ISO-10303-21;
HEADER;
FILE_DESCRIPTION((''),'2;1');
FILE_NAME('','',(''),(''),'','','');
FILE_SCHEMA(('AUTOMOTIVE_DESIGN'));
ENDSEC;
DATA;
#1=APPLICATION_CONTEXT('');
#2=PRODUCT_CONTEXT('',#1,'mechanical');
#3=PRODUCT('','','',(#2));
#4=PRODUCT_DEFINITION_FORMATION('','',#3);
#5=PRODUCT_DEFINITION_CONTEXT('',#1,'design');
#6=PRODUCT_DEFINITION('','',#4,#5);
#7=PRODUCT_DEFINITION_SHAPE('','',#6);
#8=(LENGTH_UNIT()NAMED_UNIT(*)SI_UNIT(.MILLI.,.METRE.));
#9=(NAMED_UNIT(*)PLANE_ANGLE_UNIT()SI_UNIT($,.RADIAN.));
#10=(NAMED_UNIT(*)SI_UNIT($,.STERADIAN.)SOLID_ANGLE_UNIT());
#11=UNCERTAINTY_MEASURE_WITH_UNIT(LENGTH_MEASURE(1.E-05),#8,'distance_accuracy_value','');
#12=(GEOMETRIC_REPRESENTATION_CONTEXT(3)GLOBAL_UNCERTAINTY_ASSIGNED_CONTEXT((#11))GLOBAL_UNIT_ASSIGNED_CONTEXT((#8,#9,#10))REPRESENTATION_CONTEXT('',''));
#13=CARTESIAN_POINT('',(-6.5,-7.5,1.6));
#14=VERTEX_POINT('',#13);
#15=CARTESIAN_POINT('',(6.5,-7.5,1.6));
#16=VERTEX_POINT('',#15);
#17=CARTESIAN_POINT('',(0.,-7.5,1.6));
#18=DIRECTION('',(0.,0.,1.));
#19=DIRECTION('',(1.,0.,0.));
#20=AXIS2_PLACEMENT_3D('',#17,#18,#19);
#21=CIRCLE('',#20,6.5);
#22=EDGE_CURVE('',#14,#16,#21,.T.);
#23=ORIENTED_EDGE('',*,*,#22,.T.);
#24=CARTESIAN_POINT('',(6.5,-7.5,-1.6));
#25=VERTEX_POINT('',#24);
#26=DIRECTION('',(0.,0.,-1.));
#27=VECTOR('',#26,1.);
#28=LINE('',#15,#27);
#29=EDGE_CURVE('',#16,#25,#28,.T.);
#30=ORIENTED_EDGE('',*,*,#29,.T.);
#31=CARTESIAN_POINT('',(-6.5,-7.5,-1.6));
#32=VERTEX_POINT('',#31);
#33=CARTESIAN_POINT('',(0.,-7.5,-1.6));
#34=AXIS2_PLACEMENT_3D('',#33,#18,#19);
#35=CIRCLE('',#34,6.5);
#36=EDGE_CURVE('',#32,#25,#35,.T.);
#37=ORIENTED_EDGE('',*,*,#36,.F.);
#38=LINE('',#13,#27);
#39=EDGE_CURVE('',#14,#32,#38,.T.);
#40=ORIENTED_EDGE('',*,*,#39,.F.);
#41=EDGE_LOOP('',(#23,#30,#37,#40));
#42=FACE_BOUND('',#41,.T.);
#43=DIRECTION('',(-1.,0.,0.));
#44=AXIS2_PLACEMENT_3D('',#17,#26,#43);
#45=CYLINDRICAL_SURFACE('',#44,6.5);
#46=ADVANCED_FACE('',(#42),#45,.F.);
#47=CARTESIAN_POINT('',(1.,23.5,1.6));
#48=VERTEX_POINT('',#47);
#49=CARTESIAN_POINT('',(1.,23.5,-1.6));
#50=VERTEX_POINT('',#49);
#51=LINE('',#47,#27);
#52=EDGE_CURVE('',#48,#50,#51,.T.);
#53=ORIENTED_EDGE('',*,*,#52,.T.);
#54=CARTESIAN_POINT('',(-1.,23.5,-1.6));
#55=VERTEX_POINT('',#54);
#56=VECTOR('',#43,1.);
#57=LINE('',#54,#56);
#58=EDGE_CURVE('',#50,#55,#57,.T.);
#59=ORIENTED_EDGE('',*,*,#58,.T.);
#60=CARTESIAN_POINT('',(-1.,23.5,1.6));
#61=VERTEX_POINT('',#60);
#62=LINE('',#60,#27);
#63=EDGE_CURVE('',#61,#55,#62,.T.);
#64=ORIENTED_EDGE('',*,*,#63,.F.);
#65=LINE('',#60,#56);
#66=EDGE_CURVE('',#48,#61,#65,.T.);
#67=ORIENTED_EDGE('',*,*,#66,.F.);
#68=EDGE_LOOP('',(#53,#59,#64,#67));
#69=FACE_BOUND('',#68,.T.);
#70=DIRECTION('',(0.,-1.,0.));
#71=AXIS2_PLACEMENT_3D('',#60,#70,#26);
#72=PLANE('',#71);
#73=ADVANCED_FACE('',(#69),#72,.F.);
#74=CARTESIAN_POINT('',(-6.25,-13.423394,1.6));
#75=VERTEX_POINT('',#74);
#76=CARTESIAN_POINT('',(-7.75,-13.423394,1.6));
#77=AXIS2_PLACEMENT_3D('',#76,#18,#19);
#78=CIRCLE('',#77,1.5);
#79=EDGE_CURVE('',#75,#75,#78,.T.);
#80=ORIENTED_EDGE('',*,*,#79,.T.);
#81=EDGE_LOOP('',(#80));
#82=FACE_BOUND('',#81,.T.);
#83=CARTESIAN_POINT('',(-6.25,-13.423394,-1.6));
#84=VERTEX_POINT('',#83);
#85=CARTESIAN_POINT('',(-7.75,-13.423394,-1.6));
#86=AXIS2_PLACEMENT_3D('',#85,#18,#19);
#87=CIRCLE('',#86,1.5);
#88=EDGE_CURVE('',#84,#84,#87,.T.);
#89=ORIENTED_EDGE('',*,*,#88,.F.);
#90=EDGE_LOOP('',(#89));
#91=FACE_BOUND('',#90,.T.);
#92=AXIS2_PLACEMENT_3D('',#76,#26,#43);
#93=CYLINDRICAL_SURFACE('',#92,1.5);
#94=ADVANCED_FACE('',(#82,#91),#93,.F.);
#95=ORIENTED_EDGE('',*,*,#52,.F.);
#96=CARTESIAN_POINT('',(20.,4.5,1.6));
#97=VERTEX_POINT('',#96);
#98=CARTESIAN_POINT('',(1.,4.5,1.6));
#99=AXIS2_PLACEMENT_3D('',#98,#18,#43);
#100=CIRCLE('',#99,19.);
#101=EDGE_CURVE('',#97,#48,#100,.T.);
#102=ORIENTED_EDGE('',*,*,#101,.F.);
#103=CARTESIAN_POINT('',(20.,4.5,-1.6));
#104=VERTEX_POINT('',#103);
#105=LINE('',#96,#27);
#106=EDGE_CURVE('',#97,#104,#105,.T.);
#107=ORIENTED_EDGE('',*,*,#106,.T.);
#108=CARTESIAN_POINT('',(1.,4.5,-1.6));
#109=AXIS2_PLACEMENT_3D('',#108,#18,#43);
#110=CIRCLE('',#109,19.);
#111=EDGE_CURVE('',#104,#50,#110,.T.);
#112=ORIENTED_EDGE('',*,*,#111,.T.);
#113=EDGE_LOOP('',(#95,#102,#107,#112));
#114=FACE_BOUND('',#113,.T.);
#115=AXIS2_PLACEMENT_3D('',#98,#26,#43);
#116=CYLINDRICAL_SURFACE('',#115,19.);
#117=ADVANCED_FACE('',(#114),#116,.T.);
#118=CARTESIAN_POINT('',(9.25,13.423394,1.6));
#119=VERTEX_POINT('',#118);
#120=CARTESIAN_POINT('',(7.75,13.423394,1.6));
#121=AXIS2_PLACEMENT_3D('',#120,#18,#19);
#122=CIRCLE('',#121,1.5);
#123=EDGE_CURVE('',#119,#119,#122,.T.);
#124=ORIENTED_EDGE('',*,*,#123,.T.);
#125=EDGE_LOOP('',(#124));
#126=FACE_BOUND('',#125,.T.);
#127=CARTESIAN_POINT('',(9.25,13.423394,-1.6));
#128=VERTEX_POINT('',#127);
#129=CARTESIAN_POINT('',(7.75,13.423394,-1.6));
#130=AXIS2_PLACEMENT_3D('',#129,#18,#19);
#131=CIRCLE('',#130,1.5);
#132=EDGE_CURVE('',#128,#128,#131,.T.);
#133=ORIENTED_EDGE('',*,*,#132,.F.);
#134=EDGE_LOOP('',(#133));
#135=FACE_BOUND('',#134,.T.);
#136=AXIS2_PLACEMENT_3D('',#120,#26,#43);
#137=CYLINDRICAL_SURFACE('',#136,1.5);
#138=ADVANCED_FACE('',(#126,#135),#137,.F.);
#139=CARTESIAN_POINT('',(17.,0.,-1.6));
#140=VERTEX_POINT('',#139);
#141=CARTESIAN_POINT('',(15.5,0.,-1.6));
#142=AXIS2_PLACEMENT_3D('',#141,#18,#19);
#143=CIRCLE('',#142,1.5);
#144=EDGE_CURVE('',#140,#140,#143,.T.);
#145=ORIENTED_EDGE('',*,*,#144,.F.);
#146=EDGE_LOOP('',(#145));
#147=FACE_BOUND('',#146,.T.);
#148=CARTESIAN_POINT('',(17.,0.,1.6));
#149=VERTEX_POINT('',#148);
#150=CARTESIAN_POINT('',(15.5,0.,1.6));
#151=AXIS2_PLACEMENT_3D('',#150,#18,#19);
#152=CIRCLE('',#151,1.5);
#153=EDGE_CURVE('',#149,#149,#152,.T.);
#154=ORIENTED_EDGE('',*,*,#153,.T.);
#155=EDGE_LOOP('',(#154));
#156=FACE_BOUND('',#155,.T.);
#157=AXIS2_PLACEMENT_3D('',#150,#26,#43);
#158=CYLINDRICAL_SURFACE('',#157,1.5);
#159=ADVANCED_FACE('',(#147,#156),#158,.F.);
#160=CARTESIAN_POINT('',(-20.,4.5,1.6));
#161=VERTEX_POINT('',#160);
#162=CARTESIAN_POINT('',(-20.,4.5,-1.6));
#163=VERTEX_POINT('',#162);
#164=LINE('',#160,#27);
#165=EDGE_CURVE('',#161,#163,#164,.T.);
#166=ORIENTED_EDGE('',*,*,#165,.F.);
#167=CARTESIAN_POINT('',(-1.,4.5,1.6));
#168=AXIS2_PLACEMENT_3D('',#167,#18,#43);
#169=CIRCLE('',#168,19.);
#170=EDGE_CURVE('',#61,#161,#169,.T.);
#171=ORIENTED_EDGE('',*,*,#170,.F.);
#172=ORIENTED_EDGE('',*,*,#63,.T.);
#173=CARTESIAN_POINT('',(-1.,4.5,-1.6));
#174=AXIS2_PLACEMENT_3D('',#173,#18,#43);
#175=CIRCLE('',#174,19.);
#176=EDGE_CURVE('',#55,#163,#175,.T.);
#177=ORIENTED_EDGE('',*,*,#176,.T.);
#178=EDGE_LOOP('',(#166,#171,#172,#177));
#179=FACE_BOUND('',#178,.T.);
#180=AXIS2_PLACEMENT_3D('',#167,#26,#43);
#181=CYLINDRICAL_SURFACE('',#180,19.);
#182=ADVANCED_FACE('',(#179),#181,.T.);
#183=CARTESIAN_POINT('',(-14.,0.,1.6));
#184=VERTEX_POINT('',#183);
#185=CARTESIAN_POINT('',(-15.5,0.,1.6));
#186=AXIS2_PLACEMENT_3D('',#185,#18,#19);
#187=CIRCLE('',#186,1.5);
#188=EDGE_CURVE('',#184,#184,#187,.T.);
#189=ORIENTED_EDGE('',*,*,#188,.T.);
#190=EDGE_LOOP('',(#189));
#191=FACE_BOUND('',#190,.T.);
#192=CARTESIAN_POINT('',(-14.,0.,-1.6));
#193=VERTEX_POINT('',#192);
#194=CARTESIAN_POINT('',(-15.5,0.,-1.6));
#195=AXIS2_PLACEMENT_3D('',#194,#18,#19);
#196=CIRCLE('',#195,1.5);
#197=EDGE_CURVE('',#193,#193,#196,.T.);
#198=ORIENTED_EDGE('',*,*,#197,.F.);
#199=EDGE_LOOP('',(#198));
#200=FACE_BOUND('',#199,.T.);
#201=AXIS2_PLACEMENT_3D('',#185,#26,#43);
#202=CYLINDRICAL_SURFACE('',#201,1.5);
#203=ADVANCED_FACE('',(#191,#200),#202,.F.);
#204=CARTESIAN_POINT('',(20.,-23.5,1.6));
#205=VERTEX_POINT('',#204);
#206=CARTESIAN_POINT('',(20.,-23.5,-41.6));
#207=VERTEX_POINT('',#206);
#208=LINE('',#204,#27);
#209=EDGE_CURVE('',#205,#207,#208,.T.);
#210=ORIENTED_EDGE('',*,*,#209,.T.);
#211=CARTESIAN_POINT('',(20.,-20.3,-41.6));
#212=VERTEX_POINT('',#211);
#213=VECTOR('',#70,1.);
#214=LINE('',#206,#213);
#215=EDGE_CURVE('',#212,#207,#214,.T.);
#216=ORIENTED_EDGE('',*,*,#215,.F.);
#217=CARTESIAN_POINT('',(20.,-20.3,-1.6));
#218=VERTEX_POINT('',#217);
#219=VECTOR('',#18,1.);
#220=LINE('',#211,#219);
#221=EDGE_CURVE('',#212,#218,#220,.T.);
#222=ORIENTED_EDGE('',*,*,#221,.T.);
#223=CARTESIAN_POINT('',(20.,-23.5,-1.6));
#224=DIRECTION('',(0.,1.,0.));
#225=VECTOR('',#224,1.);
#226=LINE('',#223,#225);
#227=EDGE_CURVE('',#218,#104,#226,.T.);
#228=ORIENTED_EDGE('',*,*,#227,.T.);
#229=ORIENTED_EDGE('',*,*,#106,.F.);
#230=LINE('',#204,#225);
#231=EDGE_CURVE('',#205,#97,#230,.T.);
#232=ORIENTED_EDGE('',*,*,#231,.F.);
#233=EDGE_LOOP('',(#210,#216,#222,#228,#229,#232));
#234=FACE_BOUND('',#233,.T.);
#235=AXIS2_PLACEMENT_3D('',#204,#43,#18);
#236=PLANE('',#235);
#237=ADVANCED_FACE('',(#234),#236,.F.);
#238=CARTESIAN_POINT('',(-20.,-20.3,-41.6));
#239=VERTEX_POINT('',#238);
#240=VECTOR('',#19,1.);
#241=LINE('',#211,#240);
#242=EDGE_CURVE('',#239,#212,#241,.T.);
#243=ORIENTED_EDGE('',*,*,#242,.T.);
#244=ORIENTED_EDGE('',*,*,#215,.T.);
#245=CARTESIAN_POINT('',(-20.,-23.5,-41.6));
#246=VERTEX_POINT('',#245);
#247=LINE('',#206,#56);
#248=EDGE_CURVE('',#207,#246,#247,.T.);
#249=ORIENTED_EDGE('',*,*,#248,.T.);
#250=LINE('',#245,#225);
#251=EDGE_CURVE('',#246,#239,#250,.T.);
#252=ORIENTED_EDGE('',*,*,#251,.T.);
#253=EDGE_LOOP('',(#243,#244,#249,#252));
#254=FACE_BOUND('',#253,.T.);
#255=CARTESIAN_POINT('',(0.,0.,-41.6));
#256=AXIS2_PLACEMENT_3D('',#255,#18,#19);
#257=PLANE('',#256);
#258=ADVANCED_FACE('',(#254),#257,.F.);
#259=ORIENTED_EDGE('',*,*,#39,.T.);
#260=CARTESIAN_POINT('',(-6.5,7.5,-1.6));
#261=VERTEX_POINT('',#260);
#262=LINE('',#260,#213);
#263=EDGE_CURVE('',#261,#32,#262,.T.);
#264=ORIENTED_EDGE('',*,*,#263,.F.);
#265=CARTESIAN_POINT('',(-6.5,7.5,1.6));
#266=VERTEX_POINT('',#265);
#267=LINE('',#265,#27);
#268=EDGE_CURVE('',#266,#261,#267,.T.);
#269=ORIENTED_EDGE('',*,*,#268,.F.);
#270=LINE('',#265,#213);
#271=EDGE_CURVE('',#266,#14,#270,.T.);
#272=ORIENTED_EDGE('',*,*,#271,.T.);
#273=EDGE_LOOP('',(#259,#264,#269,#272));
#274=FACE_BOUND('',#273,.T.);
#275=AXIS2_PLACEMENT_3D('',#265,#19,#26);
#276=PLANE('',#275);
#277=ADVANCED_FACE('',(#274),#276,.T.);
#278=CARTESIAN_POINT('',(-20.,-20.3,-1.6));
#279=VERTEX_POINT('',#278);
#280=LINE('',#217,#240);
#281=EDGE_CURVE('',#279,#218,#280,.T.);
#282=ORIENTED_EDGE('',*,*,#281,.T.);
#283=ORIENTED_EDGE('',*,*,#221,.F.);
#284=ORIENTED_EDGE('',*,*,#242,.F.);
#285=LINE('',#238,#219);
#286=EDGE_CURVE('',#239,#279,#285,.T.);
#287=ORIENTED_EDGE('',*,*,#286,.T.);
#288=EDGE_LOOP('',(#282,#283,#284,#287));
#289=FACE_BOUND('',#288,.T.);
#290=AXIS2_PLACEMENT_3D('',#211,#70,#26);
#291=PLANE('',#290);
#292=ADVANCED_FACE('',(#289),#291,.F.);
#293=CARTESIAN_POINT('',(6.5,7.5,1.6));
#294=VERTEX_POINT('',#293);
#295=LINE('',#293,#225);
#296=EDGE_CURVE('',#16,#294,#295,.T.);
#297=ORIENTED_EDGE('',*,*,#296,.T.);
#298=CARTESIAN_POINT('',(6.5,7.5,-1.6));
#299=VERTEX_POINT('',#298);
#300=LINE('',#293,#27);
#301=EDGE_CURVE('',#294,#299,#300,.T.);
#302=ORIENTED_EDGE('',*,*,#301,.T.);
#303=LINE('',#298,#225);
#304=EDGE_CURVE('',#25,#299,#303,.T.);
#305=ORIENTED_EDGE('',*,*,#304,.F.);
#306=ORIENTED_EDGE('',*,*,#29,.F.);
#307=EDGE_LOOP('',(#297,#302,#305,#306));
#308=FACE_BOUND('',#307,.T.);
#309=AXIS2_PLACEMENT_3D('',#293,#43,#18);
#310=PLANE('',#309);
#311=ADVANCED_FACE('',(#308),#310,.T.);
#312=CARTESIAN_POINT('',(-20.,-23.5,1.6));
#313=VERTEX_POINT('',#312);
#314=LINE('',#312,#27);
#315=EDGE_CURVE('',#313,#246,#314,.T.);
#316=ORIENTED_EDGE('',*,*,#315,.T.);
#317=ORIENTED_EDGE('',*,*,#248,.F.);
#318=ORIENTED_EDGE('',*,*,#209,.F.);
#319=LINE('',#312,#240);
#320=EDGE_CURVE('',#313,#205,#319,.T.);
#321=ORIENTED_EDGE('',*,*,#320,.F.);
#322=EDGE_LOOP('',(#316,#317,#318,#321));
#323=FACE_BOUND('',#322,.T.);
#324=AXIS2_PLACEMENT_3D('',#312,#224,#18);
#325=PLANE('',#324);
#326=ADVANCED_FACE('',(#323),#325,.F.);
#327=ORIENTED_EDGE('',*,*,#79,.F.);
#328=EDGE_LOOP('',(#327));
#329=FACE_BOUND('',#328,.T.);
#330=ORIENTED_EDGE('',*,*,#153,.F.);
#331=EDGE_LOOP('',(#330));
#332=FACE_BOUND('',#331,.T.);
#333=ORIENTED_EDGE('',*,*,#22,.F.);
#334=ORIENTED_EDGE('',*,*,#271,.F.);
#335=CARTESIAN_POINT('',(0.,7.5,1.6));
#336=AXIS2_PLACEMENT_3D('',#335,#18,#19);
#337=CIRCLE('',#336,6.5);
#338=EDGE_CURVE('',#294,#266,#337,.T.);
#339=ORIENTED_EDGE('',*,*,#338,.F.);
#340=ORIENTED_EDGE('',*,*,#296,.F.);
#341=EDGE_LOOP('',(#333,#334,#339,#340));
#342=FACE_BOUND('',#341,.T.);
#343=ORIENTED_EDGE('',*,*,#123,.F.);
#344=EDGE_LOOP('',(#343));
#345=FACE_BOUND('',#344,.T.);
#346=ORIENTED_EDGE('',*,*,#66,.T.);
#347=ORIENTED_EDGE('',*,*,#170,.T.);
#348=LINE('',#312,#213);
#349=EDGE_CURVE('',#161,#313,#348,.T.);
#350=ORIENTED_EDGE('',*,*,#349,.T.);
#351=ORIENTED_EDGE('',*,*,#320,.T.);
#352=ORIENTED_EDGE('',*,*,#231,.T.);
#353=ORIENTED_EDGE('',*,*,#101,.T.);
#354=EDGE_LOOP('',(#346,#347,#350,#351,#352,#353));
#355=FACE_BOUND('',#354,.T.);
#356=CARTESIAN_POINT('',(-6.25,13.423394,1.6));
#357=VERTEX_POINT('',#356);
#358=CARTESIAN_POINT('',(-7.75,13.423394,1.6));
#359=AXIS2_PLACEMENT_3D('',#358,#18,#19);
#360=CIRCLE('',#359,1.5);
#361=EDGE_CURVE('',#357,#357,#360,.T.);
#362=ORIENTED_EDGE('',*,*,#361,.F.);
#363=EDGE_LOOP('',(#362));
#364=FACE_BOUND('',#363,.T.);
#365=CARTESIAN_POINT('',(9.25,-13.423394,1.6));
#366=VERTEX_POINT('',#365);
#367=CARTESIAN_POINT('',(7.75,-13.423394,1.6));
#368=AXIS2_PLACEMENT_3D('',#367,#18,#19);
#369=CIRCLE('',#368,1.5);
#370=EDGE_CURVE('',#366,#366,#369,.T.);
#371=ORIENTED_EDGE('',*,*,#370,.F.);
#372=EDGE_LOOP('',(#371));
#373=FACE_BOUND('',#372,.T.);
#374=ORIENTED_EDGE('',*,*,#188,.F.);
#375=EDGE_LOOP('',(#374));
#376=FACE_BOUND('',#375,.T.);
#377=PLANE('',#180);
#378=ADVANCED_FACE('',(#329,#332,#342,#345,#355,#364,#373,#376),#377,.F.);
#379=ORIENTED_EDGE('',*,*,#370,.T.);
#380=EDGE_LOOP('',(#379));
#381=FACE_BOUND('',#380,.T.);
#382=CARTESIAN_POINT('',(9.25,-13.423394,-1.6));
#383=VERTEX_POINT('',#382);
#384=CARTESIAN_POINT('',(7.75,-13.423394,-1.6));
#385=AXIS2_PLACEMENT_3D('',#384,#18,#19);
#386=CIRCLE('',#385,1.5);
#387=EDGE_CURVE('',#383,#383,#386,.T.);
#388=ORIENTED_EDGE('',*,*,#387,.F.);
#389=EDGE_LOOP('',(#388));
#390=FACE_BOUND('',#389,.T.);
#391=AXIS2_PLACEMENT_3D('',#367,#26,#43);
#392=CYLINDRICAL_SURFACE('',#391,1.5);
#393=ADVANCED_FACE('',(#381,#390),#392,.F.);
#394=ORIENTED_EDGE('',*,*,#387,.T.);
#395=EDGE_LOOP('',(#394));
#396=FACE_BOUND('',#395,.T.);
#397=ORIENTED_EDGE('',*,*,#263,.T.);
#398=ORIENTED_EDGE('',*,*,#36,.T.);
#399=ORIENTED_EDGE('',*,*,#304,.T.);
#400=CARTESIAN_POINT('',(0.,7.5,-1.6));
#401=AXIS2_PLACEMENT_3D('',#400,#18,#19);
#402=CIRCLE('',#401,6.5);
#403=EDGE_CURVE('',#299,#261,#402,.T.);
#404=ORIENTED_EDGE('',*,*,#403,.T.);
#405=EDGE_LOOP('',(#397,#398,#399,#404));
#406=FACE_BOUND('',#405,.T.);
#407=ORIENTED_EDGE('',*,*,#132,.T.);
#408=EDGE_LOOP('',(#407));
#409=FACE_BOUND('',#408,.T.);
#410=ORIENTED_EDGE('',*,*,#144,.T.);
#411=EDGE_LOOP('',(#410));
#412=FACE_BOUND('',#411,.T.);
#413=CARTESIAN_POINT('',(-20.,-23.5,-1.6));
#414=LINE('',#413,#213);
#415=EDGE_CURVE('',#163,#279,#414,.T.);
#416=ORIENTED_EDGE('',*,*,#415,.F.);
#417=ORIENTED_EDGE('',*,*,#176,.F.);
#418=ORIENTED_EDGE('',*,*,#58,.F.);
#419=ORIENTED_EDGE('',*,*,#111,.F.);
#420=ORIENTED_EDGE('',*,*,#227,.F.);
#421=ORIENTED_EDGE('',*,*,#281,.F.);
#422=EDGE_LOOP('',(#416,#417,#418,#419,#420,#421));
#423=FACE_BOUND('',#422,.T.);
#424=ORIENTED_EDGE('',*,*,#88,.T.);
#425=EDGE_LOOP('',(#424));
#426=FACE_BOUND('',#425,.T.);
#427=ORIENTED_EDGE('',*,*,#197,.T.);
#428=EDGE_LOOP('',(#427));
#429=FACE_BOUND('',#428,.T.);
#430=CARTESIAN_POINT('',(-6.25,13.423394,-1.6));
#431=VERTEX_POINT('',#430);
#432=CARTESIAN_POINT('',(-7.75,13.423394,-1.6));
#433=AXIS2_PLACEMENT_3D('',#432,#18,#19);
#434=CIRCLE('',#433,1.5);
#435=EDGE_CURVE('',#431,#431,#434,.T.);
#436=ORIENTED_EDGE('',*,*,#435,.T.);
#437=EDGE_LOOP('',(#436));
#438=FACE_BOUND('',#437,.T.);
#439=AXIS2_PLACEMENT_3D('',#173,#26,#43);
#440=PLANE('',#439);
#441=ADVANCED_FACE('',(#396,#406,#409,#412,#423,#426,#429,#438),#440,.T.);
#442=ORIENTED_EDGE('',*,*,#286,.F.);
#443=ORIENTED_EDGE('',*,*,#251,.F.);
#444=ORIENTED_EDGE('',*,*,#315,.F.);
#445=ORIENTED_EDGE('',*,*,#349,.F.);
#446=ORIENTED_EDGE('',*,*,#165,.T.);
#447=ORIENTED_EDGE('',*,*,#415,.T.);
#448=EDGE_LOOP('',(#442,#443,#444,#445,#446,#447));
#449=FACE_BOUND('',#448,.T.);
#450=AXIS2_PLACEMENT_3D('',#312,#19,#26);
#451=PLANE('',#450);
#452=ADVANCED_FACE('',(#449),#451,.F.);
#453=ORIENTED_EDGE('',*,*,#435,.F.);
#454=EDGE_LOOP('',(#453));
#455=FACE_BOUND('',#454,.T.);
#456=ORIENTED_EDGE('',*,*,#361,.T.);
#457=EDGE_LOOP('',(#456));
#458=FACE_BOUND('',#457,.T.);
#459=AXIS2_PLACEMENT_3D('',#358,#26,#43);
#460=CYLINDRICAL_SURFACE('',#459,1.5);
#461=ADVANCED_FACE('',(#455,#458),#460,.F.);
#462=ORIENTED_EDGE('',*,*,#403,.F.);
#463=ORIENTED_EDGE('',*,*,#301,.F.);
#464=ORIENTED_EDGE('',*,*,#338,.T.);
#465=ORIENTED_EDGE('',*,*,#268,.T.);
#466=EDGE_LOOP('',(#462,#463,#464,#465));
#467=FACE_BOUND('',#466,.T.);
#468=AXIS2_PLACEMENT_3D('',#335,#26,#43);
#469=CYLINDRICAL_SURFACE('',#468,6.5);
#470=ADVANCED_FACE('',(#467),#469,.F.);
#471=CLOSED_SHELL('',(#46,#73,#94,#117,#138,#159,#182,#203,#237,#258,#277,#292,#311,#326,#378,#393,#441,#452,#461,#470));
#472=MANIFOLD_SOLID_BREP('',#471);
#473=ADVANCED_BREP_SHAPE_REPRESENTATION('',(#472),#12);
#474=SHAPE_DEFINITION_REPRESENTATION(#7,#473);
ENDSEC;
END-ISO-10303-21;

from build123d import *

# Parameters (mm, degrees)
CROQUIS1_R              = 1.5
SALIENTE_EXTRUIR1_DEPTH = 1.6
CROQUIS2_W              = 40
CROQUIS2_H              = 3.2
SALIENTE_EXTRUIR2_DEPTH = 40


with BuildPart() as part:
    # Croquis1 → Saliente-Extruir1 (new, symmetric)
    with BuildSketch(Plane.XY):
        with BuildLine():
            Line((-20, -23.5), (20, -23.5))
            Line((20, -23.5), (20, 4.5))
            ThreePointArc((20, 4.5), (14.435028843, 17.935028843), (1, 23.5))
            Line((1, 23.5), (-1, 23.5))
            ThreePointArc((-1, 23.5), (-14.435028843, 17.935028843), (-20, 4.5))
            Line((-20, 4.5), (-20, -23.5))
        make_face()
        with Locations((-15.5, 0)):
            Circle(CROQUIS1_R, mode=Mode.SUBTRACT)
        with Locations((-7.75, 13.423393759)):
            Circle(CROQUIS1_R, mode=Mode.SUBTRACT)
        with Locations((7.75, 13.423393759)):
            Circle(CROQUIS1_R, mode=Mode.SUBTRACT)
        with Locations((15.5, 0)):
            Circle(CROQUIS1_R, mode=Mode.SUBTRACT)
        with Locations((7.75, -13.423393759)):
            Circle(CROQUIS1_R, mode=Mode.SUBTRACT)
        with Locations((-7.75, -13.423393759)):
            Circle(CROQUIS1_R, mode=Mode.SUBTRACT)
        with BuildLine():
            Line((6.5, 7.5), (6.5, -7.5))
            ThreePointArc((6.5, -7.5), (0, -14), (-6.5, -7.5))
            Line((-6.5, -7.5), (-6.5, 7.5))
            ThreePointArc((-6.5, 7.5), (0, 14), (6.5, 7.5))
        make_face(mode=Mode.SUBTRACT)
    extrude(amount=SALIENTE_EXTRUIR1_DEPTH, both=True)

    # Croquis2 → Saliente-Extruir2 (add)
    with BuildSketch(Plane(origin=(0, 0, -1.6), x_dir=(-1, 0, 0), z_dir=(0, 0, -1))):
        with Locations((0, -21.9)):
            Rectangle(CROQUIS2_W, CROQUIS2_H)
    extrude(amount=SALIENTE_EXTRUIR2_DEPTH)


solid = part.part
